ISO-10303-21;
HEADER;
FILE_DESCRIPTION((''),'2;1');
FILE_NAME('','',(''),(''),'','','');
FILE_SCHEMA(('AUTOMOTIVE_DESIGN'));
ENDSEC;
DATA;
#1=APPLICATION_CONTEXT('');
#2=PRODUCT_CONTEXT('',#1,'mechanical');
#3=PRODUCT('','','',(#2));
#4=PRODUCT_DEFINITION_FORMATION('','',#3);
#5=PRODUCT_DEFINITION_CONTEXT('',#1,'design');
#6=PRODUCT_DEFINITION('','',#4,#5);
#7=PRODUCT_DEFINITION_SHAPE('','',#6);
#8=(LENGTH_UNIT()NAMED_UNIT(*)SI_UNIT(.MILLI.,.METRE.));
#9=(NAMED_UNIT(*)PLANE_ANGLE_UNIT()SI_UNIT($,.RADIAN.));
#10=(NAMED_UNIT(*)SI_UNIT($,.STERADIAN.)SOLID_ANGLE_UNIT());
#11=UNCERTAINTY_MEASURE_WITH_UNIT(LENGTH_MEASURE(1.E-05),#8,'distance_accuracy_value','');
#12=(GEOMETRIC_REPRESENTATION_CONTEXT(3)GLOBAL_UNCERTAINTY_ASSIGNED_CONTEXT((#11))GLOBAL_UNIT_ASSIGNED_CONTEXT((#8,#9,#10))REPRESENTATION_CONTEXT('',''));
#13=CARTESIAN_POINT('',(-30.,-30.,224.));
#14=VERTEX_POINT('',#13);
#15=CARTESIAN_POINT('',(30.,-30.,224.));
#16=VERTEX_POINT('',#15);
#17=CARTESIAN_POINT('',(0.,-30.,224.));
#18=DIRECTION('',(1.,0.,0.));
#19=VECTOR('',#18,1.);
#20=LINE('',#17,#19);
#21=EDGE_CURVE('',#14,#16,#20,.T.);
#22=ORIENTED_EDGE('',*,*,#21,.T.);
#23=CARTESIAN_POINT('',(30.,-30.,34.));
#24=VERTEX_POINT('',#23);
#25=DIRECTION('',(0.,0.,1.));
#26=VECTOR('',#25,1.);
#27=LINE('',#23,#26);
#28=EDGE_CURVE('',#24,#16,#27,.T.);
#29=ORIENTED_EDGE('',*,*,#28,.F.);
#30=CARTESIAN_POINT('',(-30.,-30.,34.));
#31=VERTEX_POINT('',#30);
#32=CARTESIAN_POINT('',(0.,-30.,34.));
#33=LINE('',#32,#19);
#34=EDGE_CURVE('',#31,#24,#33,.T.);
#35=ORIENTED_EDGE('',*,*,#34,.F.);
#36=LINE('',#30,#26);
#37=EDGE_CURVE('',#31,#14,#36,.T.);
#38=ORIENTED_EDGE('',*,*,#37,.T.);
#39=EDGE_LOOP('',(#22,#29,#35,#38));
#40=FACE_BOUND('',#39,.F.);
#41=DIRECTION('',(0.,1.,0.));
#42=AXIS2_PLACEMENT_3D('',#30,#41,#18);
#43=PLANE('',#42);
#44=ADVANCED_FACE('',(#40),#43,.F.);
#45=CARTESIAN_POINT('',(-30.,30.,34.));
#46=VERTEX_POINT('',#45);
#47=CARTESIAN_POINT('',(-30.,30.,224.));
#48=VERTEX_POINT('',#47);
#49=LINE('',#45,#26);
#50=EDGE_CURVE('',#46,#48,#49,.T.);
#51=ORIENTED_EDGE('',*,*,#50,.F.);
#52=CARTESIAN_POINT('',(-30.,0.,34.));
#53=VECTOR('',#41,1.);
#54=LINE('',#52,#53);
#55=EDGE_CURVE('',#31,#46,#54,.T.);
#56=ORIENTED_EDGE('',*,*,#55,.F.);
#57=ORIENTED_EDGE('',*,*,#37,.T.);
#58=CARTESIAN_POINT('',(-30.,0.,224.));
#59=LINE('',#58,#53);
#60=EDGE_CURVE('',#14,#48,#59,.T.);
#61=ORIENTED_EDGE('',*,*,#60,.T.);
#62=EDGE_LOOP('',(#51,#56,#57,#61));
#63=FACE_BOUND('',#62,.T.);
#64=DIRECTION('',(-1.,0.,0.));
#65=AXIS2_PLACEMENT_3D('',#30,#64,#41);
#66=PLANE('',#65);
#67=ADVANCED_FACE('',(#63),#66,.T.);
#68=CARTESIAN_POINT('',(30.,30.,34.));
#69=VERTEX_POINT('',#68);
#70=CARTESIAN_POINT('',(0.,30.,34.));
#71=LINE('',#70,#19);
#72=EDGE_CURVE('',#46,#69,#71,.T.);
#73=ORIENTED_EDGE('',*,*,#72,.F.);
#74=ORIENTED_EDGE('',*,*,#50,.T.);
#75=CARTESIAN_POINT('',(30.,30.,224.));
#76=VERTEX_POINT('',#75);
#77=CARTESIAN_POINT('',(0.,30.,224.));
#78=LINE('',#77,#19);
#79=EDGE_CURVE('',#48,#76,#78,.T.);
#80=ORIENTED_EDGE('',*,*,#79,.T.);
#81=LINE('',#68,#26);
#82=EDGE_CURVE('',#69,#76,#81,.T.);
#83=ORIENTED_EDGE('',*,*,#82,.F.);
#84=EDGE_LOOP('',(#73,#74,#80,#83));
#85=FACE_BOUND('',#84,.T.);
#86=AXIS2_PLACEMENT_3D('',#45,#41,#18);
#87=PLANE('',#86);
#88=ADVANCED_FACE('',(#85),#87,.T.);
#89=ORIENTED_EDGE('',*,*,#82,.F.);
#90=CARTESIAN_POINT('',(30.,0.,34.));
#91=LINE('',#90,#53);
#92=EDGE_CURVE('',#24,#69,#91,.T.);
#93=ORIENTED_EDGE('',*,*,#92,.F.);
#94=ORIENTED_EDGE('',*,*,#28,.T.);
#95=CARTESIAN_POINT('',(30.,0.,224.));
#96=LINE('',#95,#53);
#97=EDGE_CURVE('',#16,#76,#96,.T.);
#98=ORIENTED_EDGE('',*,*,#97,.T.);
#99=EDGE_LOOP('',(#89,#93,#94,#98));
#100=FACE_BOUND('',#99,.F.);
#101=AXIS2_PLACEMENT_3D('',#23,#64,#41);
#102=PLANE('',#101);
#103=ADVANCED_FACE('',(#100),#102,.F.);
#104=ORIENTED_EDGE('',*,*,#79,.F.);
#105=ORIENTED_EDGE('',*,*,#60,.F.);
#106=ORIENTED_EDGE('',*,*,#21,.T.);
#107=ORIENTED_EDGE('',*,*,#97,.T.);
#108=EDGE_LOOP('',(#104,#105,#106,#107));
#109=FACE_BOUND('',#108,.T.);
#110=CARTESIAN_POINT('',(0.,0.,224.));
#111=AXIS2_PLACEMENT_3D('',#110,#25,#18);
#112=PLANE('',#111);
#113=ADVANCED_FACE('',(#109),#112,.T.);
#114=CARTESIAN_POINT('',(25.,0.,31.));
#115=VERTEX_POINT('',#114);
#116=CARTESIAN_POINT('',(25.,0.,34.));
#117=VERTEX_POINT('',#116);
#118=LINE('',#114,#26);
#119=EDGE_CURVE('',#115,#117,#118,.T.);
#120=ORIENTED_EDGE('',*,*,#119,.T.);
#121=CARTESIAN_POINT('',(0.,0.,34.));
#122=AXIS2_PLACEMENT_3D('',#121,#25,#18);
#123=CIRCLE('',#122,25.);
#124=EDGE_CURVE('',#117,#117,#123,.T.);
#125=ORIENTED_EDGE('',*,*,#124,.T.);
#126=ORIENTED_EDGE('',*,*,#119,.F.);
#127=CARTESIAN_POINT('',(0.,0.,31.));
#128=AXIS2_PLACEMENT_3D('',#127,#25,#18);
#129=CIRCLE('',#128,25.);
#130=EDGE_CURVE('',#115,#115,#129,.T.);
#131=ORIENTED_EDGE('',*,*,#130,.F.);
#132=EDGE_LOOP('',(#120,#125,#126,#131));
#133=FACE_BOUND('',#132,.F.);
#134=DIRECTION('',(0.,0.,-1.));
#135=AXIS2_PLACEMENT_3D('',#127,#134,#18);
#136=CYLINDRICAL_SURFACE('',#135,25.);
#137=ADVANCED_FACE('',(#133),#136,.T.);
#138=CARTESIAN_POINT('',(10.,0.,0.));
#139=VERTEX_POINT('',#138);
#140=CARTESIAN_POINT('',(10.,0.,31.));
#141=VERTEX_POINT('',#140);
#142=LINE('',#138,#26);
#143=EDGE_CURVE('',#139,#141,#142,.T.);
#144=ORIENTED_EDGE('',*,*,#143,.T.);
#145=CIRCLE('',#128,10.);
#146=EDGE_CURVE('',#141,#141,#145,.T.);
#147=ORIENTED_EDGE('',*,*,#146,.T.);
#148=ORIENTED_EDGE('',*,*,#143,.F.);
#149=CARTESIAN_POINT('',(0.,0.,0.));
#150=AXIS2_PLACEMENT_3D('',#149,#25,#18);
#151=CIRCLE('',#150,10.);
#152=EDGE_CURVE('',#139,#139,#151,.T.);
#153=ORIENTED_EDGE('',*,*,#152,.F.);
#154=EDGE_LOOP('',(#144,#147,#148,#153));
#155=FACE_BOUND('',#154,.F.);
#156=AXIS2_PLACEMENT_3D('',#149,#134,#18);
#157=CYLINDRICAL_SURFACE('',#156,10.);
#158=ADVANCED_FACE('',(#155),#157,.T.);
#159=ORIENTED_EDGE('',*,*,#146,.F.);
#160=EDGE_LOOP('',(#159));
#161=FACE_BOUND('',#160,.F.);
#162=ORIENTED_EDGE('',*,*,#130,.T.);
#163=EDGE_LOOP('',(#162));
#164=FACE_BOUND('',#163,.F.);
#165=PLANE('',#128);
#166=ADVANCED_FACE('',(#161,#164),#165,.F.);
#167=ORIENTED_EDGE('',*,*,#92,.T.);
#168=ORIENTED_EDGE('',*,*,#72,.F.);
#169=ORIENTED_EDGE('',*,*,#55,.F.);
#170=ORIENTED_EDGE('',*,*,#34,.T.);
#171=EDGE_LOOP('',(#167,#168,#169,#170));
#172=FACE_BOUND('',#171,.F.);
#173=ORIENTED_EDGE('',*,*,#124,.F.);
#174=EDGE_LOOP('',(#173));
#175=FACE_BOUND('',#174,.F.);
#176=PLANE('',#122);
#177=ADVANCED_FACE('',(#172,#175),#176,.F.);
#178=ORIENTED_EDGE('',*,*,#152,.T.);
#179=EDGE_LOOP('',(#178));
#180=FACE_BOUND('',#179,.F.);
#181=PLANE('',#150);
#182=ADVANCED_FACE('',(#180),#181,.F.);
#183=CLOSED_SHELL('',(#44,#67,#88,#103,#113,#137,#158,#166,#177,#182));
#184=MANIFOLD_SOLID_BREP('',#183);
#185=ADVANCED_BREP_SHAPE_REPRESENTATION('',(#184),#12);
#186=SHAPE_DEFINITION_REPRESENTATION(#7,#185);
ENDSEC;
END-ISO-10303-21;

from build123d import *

# Parameters (mm, degrees)
F0_R     = 10
F1_DEPTH = 31
F2_R     = 25
F2_R_2   = 10
F3_DEPTH = 3
F4_W     = 60
F4_H     = 60
F4_R     = 25
F5_DEPTH = 190


with BuildPart() as f1:
    # F0 (on Top) → F1 (new body)
    with BuildSketch(Plane.XY):
        Circle(F0_R)
    extrude(amount=F1_DEPTH)

    # F2 (on face) → F3 (join)
    with BuildSketch(Plane.XY.offset(31)):
        Circle(F2_R)
        Circle(F2_R_2, mode=Mode.SUBTRACT)
        Circle(F2_R_2)
    extrude(amount=F3_DEPTH)

    # F4 (on face) → F5 (join)
    with BuildSketch(Plane.XY.offset(34)):
        Rectangle(F4_W, F4_H)
        Circle(F4_R, mode=Mode.SUBTRACT)
        Circle(F4_R)
    extrude(amount=F5_DEPTH)


solid = f1.part
